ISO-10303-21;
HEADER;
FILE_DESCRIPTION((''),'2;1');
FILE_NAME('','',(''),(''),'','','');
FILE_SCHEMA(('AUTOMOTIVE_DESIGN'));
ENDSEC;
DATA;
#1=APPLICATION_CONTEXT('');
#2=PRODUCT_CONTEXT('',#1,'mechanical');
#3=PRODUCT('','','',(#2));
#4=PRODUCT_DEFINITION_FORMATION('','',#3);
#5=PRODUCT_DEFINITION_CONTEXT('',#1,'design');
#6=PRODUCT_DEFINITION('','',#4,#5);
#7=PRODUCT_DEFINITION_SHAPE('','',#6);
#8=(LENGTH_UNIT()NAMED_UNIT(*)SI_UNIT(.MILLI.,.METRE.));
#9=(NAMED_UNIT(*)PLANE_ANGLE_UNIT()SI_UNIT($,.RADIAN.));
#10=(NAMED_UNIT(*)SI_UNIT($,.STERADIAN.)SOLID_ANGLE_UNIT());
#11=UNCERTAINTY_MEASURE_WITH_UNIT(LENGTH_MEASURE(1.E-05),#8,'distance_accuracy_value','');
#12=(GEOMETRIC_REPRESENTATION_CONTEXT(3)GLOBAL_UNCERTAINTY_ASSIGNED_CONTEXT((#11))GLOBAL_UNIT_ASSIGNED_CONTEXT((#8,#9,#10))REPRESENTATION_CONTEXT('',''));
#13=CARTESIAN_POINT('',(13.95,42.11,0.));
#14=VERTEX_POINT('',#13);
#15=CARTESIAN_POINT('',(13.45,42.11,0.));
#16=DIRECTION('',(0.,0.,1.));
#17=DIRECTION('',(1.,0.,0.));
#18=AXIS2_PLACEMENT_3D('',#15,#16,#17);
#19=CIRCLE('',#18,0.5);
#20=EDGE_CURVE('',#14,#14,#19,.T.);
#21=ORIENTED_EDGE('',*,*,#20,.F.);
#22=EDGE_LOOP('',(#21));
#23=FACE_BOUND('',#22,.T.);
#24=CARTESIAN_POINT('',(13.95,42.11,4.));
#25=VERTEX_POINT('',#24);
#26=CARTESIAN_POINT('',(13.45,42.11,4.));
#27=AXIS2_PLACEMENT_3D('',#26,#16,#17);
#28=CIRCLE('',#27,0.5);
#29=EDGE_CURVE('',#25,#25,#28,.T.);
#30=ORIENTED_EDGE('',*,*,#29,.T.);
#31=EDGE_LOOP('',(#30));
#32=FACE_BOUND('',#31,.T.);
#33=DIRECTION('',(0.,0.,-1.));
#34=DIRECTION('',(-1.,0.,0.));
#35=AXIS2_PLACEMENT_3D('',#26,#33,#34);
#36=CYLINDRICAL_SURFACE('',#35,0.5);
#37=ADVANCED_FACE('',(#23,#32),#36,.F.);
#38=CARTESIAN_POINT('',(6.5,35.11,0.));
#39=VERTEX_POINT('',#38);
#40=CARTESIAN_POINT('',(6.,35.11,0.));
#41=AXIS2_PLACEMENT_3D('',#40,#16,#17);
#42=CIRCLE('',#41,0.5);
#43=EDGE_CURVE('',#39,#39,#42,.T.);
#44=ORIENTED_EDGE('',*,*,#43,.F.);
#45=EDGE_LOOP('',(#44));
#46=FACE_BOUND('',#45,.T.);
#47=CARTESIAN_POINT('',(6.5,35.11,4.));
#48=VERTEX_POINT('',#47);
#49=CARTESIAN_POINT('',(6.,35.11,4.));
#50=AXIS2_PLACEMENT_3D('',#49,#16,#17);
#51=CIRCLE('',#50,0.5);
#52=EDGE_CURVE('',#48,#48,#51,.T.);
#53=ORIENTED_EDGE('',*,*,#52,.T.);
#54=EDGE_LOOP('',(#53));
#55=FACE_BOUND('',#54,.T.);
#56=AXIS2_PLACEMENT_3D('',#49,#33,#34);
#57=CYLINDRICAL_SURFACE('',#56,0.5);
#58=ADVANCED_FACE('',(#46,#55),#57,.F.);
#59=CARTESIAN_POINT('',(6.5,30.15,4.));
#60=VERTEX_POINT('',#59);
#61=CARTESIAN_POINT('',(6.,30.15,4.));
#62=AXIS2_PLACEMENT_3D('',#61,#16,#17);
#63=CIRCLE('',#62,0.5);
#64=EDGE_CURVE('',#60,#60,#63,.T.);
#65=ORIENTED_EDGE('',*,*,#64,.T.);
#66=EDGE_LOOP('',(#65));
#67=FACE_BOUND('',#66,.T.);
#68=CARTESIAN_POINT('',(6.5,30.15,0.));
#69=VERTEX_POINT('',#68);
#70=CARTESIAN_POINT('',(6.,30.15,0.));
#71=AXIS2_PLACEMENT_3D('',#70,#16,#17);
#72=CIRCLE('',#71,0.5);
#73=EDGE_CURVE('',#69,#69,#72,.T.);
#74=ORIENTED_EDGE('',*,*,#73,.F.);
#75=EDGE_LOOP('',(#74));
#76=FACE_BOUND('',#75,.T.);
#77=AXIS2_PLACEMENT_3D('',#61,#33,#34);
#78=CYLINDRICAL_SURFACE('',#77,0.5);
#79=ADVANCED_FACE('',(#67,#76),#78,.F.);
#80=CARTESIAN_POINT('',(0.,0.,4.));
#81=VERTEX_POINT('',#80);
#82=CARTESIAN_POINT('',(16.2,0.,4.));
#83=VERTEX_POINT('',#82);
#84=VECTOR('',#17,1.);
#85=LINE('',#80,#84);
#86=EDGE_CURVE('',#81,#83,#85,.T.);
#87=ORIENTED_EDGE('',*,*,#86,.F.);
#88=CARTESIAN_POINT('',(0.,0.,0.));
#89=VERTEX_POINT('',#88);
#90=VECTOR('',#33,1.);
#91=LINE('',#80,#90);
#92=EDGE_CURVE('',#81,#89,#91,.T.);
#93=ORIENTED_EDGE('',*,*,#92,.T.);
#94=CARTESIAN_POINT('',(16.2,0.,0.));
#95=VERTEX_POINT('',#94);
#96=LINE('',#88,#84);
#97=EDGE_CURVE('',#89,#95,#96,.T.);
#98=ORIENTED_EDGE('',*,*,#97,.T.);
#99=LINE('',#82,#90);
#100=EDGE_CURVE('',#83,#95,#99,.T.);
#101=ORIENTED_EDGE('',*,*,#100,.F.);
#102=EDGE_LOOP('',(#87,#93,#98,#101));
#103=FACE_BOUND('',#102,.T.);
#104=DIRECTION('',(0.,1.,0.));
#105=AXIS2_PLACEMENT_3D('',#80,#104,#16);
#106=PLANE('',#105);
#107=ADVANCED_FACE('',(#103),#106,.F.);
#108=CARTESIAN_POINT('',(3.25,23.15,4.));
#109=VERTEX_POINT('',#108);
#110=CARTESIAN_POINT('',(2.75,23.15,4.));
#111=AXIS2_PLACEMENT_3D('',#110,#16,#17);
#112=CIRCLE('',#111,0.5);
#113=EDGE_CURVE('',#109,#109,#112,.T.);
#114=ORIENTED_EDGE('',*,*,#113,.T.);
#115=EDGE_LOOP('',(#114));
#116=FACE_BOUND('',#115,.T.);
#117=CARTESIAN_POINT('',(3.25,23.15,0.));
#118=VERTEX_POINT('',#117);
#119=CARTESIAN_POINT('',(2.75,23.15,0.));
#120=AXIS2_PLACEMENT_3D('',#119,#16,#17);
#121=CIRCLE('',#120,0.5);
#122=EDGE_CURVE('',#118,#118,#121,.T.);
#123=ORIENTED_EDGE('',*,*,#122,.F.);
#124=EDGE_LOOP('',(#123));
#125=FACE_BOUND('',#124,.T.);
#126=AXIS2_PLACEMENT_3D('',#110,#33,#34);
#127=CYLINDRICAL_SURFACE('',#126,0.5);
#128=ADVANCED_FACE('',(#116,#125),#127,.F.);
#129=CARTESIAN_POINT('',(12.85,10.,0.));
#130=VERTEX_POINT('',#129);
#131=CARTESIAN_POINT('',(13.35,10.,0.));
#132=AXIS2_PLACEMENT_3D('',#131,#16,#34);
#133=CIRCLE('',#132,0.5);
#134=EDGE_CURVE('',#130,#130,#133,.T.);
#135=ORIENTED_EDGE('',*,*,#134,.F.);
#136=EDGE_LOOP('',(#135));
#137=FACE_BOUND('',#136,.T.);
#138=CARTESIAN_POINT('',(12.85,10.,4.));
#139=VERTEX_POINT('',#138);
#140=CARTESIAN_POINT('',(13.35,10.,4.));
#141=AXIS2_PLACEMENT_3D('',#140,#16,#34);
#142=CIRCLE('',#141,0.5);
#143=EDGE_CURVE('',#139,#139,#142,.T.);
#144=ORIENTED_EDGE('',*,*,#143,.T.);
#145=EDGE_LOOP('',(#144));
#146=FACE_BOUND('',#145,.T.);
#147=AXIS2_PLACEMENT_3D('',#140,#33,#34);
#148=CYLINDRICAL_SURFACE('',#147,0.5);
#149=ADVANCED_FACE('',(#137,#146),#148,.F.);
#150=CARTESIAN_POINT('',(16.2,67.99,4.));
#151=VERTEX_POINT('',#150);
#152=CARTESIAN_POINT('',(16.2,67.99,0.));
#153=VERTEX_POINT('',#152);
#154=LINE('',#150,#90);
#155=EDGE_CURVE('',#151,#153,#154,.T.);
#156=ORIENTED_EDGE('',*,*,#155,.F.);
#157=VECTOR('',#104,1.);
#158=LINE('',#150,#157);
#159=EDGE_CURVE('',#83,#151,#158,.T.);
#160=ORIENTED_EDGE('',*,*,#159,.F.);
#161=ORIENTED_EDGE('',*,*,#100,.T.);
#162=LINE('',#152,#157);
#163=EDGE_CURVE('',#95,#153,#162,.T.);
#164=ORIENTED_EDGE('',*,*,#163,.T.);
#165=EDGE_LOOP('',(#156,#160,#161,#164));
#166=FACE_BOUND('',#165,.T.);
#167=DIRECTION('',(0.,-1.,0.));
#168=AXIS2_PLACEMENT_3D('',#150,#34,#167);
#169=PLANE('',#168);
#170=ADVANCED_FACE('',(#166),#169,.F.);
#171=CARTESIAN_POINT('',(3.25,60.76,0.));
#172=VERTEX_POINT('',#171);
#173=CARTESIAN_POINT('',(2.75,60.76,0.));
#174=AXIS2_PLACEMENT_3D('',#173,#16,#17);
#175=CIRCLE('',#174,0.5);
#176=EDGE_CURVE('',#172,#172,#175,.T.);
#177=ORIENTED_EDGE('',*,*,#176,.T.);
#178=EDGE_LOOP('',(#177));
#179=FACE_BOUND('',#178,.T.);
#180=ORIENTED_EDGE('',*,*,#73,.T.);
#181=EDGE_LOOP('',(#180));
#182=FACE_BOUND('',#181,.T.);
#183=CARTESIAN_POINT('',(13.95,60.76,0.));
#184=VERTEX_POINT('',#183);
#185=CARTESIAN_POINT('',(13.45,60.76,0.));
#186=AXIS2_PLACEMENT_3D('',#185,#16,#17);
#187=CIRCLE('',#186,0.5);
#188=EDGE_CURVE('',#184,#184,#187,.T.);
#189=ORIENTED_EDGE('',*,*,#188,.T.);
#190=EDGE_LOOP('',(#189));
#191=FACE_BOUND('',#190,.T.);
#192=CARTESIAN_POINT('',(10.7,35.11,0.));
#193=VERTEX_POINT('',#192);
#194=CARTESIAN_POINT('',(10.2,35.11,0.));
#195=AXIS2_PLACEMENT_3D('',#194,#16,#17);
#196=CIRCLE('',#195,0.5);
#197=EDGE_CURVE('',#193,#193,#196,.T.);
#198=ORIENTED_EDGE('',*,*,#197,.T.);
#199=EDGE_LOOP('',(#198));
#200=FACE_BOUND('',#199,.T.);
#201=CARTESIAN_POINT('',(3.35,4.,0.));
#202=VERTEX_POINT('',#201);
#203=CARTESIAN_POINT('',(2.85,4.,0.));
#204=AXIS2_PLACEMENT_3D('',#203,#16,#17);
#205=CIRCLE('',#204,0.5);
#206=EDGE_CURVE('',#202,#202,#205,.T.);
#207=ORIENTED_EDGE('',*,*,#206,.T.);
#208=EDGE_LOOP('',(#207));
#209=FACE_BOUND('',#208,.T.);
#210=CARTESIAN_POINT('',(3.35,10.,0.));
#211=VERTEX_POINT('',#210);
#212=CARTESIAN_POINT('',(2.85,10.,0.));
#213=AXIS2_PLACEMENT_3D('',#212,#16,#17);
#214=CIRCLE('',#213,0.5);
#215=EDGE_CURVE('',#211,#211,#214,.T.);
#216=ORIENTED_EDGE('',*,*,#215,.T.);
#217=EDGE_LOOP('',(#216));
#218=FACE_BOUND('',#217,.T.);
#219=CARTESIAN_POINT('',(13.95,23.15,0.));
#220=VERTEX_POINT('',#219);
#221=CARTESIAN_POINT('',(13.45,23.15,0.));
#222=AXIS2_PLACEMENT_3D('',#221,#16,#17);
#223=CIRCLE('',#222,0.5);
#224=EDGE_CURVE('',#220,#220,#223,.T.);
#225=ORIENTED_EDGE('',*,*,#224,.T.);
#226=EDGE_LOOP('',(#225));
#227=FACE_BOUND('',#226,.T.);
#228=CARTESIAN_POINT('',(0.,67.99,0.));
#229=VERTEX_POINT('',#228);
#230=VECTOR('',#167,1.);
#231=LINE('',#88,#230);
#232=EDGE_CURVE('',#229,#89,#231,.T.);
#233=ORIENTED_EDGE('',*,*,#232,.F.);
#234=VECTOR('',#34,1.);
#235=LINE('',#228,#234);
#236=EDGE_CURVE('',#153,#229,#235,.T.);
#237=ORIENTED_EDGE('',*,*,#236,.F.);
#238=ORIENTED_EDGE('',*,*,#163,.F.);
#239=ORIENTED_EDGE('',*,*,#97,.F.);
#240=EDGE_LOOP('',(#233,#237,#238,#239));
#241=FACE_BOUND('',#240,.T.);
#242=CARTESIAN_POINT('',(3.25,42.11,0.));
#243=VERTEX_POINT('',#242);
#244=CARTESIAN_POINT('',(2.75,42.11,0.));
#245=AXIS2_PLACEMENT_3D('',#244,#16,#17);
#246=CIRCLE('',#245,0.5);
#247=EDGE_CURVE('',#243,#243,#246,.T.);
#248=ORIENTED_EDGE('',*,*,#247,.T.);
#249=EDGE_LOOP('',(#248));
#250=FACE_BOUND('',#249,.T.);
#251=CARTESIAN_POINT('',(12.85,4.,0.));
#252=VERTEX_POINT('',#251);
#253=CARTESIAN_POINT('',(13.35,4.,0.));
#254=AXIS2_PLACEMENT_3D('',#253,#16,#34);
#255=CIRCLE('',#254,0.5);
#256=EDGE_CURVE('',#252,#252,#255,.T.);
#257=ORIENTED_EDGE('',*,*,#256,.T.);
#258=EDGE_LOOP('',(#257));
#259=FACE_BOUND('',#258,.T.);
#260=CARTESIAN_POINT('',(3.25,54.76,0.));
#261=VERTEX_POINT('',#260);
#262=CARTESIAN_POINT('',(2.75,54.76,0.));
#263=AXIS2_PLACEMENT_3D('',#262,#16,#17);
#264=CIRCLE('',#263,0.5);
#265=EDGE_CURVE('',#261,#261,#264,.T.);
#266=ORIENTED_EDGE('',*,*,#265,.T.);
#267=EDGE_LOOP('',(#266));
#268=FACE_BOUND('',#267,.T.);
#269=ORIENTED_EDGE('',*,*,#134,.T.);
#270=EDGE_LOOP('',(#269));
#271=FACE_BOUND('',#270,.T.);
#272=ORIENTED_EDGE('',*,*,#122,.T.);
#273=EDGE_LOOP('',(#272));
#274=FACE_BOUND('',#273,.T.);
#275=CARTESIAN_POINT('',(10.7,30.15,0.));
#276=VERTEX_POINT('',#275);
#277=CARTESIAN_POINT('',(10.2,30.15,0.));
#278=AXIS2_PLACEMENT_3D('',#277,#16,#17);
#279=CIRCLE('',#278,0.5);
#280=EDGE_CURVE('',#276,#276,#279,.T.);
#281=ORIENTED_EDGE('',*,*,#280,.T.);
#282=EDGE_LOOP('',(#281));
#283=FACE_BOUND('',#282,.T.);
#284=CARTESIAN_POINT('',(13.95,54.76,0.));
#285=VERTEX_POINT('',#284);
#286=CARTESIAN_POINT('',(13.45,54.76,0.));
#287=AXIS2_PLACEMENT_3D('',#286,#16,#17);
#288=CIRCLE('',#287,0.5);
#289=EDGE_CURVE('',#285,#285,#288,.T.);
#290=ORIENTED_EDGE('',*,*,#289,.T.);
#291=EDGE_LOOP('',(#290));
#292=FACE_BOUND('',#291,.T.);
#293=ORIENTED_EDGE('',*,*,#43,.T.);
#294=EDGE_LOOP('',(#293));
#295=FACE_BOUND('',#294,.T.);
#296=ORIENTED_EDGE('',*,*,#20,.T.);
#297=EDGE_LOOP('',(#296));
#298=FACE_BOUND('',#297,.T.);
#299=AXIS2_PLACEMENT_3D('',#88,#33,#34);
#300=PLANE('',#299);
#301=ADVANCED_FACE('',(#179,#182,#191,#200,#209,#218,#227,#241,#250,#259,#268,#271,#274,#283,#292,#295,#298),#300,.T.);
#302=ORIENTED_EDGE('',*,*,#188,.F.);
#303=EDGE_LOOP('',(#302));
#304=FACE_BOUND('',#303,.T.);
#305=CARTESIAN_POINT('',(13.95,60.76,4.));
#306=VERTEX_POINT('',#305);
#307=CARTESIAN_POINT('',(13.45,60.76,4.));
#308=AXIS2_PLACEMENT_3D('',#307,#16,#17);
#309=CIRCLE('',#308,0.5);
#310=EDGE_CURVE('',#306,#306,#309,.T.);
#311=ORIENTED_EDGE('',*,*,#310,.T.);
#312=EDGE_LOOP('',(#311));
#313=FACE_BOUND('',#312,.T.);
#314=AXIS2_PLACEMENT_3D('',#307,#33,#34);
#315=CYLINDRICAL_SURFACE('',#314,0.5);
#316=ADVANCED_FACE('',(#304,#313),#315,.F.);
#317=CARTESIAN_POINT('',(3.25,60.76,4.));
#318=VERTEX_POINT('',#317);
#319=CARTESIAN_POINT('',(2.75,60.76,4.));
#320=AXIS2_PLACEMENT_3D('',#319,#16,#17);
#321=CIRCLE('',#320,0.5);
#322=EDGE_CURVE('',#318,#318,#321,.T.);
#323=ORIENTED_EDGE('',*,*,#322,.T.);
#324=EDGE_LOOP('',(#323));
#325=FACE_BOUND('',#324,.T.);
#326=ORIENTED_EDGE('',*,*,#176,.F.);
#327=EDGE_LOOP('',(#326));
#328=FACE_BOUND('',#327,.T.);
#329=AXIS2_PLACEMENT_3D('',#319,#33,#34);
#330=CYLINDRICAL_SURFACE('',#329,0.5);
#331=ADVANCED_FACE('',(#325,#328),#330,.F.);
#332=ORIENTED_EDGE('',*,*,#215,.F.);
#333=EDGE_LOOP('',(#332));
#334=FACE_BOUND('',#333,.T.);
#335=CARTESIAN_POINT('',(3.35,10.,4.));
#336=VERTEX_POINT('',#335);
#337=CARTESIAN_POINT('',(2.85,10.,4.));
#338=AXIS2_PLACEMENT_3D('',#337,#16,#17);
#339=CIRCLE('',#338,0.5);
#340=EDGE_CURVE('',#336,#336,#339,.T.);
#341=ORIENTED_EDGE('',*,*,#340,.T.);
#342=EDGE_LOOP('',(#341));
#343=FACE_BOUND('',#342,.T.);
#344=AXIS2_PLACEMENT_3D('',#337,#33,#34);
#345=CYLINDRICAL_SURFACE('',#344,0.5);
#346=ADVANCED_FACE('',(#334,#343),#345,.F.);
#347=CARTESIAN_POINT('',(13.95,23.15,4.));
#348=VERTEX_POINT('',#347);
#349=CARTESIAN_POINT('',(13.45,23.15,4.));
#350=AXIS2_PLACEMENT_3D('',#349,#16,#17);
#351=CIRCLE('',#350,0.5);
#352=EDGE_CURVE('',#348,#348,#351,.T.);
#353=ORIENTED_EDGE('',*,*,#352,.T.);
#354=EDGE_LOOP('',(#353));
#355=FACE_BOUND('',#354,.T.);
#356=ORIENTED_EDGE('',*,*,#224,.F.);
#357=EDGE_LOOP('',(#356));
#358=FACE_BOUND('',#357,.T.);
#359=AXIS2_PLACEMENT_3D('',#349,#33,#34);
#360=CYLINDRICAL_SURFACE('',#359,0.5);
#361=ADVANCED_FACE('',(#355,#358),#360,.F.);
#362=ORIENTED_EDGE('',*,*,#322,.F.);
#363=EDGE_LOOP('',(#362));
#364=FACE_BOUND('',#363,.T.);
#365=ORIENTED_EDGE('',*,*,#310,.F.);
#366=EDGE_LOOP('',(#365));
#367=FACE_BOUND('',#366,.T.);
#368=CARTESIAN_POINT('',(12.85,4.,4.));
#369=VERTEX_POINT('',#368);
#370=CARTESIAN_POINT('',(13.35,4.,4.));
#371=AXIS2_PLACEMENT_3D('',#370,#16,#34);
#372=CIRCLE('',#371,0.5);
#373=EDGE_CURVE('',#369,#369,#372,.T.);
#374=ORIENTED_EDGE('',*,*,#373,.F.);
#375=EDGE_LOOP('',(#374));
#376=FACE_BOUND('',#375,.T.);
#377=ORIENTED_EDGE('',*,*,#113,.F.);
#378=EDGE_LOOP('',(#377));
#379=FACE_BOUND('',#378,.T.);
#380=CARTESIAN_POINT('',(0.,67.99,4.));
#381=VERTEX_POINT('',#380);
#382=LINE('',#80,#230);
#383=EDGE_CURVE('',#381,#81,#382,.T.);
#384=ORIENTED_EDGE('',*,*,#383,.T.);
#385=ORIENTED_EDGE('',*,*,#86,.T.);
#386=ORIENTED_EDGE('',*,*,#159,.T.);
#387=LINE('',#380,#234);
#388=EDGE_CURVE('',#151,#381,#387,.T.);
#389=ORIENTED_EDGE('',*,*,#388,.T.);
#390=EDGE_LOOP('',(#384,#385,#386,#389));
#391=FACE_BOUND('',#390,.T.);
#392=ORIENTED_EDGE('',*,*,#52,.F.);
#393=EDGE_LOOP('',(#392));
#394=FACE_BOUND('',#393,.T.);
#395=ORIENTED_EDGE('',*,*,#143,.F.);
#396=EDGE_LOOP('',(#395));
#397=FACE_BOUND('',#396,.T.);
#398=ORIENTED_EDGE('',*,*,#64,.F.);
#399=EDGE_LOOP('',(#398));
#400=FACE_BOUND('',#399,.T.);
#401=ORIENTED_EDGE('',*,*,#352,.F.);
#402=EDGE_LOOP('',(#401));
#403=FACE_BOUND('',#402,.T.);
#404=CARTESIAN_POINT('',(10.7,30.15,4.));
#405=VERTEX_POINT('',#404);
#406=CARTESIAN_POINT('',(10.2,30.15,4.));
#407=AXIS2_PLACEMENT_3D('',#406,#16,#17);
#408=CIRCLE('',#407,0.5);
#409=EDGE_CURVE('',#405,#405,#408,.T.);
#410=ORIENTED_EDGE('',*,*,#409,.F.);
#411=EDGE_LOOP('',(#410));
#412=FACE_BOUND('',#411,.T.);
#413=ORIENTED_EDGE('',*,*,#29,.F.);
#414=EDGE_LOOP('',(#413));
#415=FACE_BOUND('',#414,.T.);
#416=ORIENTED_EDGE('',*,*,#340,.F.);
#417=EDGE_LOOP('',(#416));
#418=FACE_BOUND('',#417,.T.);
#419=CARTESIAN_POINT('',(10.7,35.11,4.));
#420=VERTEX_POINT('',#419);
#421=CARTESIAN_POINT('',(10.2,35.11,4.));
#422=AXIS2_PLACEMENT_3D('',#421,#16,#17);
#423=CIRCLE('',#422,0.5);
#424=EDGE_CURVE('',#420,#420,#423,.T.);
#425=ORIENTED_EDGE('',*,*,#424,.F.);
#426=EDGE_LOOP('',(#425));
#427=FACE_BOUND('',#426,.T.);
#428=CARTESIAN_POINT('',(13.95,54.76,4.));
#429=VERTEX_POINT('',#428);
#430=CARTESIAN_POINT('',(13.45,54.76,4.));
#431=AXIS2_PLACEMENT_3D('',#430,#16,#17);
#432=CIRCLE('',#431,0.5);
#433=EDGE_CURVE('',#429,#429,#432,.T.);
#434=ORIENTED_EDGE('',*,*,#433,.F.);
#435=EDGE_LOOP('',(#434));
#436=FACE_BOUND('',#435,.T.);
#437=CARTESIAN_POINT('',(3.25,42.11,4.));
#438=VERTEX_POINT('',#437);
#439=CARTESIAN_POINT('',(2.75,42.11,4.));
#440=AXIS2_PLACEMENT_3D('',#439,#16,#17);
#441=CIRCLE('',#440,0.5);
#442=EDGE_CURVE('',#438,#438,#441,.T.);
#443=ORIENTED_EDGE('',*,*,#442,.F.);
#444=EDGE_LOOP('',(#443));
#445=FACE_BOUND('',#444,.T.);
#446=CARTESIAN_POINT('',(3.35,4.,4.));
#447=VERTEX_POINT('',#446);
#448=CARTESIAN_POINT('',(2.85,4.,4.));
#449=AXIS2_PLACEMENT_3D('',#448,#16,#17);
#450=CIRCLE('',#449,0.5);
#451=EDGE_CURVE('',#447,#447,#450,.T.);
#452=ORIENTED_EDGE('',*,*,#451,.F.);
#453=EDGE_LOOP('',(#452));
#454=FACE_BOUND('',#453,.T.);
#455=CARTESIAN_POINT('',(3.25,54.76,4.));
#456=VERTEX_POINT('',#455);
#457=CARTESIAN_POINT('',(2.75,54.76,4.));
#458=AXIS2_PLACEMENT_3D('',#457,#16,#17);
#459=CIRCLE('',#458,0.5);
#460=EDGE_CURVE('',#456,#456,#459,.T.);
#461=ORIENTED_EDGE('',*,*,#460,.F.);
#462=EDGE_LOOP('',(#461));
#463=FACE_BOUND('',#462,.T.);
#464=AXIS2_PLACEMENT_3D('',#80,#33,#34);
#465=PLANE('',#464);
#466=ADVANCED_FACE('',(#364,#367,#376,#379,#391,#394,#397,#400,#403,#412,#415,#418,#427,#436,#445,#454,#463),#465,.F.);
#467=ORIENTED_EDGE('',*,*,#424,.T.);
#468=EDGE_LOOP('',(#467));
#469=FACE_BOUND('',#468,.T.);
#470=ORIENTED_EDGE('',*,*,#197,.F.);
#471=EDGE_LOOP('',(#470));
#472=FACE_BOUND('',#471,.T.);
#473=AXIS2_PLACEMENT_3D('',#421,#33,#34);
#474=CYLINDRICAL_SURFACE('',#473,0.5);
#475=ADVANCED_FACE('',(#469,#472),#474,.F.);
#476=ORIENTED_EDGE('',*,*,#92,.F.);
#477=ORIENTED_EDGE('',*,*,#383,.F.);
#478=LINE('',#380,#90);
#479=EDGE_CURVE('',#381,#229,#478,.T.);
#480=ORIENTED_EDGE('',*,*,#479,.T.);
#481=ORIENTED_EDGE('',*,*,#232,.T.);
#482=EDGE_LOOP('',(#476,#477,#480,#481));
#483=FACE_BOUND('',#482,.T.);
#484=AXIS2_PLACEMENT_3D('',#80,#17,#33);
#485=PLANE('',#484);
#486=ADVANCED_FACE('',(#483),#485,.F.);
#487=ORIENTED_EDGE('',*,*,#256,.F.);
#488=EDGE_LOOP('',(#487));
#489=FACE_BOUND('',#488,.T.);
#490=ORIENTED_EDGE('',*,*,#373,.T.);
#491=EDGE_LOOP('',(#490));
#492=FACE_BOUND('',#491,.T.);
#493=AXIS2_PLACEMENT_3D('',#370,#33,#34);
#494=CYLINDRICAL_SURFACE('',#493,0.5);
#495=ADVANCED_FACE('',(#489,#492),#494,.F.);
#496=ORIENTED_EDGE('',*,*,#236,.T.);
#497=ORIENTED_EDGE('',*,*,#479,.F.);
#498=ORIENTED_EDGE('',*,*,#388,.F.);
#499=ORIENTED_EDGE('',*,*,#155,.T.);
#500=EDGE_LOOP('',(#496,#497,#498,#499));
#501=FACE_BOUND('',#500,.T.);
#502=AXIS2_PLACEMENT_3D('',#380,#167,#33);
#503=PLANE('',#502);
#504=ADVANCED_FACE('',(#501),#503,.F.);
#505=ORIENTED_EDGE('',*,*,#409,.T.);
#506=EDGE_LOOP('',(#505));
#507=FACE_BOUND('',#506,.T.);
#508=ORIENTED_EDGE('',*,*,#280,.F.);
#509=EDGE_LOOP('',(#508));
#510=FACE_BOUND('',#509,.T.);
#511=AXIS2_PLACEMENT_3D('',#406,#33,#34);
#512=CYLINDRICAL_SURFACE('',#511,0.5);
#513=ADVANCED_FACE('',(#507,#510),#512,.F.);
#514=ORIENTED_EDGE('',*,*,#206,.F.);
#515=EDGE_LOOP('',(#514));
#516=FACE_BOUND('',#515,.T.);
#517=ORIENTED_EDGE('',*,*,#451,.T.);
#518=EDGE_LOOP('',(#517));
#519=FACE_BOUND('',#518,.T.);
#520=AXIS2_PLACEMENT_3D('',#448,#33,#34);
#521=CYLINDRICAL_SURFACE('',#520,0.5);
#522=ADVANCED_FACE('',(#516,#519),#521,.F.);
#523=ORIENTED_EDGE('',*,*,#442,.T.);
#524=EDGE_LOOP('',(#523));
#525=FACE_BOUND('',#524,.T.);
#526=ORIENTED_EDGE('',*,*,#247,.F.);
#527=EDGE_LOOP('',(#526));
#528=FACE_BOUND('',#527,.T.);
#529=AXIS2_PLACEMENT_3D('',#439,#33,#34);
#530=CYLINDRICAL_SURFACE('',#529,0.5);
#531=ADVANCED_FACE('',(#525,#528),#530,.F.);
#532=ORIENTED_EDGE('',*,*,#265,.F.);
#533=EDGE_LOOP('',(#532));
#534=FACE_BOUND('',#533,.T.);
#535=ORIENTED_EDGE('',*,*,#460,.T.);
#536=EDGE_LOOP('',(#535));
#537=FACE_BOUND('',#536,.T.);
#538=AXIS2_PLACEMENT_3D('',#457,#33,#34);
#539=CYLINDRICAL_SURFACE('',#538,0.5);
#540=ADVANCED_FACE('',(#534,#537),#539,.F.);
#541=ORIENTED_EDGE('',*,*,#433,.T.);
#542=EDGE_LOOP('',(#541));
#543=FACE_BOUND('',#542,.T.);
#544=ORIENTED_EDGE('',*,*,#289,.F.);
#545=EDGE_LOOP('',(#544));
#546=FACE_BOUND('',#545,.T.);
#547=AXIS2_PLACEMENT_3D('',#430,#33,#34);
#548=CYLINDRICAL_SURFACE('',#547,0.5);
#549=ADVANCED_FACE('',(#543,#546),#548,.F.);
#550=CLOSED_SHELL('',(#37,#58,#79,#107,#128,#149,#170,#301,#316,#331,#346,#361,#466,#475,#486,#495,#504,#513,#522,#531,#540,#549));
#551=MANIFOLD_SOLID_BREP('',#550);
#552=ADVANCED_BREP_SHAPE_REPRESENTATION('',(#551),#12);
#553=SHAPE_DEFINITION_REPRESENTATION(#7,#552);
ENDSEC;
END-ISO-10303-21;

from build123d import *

# Parameters (mm, degrees)
SKETCH1_W           = 16.2
SKETCH1_H           = 67.99
SKETCH1_R           = 0.5
BOSS_EXTRUDE1_DEPTH = 4


with BuildPart() as part:
    # Sketch1 → Boss-Extrude1 (new body)
    with BuildSketch(Plane.XY):
        with Locations((8.1, 33.995)):
            Rectangle(SKETCH1_W, SKETCH1_H)
        with Locations((6, 30.15)):
            Circle(SKETCH1_R, mode=Mode.SUBTRACT)
        with Locations((10.2, 30.15)):
            Circle(SKETCH1_R, mode=Mode.SUBTRACT)
        with Locations((10.2, 35.11)):
            Circle(SKETCH1_R, mode=Mode.SUBTRACT)
        with Locations((13.45, 60.76)):
            Circle(SKETCH1_R, mode=Mode.SUBTRACT)
        with Locations((13.45, 54.76)):
            Circle(SKETCH1_R, mode=Mode.SUBTRACT)
        with Locations((2.75, 60.76)):
            Circle(SKETCH1_R, mode=Mode.SUBTRACT)
        with Locations((6, 35.11)):
            Circle(SKETCH1_R, mode=Mode.SUBTRACT)
        with Locations((2.75, 42.11)):
            Circle(SKETCH1_R, mode=Mode.SUBTRACT)
        with Locations((2.85, 10)):
            Circle(SKETCH1_R, mode=Mode.SUBTRACT)
        with Locations((13.35, 10)):
            Circle(SKETCH1_R, mode=Mode.SUBTRACT)
        with Locations((13.35, 4)):
            Circle(SKETCH1_R, mode=Mode.SUBTRACT)
        with Locations((2.85, 4)):
            Circle(SKETCH1_R, mode=Mode.SUBTRACT)
        with Locations((13.45, 42.11)):
            Circle(SKETCH1_R, mode=Mode.SUBTRACT)
        with Locations((2.75, 54.76)):
            Circle(SKETCH1_R, mode=Mode.SUBTRACT)
        with Locations((13.45, 23.15)):
            Circle(SKETCH1_R, mode=Mode.SUBTRACT)
        with Locations((2.75, 23.15)):
            Circle(SKETCH1_R, mode=Mode.SUBTRACT)
    extrude(amount=BOSS_EXTRUDE1_DEPTH)


solid = part.part
